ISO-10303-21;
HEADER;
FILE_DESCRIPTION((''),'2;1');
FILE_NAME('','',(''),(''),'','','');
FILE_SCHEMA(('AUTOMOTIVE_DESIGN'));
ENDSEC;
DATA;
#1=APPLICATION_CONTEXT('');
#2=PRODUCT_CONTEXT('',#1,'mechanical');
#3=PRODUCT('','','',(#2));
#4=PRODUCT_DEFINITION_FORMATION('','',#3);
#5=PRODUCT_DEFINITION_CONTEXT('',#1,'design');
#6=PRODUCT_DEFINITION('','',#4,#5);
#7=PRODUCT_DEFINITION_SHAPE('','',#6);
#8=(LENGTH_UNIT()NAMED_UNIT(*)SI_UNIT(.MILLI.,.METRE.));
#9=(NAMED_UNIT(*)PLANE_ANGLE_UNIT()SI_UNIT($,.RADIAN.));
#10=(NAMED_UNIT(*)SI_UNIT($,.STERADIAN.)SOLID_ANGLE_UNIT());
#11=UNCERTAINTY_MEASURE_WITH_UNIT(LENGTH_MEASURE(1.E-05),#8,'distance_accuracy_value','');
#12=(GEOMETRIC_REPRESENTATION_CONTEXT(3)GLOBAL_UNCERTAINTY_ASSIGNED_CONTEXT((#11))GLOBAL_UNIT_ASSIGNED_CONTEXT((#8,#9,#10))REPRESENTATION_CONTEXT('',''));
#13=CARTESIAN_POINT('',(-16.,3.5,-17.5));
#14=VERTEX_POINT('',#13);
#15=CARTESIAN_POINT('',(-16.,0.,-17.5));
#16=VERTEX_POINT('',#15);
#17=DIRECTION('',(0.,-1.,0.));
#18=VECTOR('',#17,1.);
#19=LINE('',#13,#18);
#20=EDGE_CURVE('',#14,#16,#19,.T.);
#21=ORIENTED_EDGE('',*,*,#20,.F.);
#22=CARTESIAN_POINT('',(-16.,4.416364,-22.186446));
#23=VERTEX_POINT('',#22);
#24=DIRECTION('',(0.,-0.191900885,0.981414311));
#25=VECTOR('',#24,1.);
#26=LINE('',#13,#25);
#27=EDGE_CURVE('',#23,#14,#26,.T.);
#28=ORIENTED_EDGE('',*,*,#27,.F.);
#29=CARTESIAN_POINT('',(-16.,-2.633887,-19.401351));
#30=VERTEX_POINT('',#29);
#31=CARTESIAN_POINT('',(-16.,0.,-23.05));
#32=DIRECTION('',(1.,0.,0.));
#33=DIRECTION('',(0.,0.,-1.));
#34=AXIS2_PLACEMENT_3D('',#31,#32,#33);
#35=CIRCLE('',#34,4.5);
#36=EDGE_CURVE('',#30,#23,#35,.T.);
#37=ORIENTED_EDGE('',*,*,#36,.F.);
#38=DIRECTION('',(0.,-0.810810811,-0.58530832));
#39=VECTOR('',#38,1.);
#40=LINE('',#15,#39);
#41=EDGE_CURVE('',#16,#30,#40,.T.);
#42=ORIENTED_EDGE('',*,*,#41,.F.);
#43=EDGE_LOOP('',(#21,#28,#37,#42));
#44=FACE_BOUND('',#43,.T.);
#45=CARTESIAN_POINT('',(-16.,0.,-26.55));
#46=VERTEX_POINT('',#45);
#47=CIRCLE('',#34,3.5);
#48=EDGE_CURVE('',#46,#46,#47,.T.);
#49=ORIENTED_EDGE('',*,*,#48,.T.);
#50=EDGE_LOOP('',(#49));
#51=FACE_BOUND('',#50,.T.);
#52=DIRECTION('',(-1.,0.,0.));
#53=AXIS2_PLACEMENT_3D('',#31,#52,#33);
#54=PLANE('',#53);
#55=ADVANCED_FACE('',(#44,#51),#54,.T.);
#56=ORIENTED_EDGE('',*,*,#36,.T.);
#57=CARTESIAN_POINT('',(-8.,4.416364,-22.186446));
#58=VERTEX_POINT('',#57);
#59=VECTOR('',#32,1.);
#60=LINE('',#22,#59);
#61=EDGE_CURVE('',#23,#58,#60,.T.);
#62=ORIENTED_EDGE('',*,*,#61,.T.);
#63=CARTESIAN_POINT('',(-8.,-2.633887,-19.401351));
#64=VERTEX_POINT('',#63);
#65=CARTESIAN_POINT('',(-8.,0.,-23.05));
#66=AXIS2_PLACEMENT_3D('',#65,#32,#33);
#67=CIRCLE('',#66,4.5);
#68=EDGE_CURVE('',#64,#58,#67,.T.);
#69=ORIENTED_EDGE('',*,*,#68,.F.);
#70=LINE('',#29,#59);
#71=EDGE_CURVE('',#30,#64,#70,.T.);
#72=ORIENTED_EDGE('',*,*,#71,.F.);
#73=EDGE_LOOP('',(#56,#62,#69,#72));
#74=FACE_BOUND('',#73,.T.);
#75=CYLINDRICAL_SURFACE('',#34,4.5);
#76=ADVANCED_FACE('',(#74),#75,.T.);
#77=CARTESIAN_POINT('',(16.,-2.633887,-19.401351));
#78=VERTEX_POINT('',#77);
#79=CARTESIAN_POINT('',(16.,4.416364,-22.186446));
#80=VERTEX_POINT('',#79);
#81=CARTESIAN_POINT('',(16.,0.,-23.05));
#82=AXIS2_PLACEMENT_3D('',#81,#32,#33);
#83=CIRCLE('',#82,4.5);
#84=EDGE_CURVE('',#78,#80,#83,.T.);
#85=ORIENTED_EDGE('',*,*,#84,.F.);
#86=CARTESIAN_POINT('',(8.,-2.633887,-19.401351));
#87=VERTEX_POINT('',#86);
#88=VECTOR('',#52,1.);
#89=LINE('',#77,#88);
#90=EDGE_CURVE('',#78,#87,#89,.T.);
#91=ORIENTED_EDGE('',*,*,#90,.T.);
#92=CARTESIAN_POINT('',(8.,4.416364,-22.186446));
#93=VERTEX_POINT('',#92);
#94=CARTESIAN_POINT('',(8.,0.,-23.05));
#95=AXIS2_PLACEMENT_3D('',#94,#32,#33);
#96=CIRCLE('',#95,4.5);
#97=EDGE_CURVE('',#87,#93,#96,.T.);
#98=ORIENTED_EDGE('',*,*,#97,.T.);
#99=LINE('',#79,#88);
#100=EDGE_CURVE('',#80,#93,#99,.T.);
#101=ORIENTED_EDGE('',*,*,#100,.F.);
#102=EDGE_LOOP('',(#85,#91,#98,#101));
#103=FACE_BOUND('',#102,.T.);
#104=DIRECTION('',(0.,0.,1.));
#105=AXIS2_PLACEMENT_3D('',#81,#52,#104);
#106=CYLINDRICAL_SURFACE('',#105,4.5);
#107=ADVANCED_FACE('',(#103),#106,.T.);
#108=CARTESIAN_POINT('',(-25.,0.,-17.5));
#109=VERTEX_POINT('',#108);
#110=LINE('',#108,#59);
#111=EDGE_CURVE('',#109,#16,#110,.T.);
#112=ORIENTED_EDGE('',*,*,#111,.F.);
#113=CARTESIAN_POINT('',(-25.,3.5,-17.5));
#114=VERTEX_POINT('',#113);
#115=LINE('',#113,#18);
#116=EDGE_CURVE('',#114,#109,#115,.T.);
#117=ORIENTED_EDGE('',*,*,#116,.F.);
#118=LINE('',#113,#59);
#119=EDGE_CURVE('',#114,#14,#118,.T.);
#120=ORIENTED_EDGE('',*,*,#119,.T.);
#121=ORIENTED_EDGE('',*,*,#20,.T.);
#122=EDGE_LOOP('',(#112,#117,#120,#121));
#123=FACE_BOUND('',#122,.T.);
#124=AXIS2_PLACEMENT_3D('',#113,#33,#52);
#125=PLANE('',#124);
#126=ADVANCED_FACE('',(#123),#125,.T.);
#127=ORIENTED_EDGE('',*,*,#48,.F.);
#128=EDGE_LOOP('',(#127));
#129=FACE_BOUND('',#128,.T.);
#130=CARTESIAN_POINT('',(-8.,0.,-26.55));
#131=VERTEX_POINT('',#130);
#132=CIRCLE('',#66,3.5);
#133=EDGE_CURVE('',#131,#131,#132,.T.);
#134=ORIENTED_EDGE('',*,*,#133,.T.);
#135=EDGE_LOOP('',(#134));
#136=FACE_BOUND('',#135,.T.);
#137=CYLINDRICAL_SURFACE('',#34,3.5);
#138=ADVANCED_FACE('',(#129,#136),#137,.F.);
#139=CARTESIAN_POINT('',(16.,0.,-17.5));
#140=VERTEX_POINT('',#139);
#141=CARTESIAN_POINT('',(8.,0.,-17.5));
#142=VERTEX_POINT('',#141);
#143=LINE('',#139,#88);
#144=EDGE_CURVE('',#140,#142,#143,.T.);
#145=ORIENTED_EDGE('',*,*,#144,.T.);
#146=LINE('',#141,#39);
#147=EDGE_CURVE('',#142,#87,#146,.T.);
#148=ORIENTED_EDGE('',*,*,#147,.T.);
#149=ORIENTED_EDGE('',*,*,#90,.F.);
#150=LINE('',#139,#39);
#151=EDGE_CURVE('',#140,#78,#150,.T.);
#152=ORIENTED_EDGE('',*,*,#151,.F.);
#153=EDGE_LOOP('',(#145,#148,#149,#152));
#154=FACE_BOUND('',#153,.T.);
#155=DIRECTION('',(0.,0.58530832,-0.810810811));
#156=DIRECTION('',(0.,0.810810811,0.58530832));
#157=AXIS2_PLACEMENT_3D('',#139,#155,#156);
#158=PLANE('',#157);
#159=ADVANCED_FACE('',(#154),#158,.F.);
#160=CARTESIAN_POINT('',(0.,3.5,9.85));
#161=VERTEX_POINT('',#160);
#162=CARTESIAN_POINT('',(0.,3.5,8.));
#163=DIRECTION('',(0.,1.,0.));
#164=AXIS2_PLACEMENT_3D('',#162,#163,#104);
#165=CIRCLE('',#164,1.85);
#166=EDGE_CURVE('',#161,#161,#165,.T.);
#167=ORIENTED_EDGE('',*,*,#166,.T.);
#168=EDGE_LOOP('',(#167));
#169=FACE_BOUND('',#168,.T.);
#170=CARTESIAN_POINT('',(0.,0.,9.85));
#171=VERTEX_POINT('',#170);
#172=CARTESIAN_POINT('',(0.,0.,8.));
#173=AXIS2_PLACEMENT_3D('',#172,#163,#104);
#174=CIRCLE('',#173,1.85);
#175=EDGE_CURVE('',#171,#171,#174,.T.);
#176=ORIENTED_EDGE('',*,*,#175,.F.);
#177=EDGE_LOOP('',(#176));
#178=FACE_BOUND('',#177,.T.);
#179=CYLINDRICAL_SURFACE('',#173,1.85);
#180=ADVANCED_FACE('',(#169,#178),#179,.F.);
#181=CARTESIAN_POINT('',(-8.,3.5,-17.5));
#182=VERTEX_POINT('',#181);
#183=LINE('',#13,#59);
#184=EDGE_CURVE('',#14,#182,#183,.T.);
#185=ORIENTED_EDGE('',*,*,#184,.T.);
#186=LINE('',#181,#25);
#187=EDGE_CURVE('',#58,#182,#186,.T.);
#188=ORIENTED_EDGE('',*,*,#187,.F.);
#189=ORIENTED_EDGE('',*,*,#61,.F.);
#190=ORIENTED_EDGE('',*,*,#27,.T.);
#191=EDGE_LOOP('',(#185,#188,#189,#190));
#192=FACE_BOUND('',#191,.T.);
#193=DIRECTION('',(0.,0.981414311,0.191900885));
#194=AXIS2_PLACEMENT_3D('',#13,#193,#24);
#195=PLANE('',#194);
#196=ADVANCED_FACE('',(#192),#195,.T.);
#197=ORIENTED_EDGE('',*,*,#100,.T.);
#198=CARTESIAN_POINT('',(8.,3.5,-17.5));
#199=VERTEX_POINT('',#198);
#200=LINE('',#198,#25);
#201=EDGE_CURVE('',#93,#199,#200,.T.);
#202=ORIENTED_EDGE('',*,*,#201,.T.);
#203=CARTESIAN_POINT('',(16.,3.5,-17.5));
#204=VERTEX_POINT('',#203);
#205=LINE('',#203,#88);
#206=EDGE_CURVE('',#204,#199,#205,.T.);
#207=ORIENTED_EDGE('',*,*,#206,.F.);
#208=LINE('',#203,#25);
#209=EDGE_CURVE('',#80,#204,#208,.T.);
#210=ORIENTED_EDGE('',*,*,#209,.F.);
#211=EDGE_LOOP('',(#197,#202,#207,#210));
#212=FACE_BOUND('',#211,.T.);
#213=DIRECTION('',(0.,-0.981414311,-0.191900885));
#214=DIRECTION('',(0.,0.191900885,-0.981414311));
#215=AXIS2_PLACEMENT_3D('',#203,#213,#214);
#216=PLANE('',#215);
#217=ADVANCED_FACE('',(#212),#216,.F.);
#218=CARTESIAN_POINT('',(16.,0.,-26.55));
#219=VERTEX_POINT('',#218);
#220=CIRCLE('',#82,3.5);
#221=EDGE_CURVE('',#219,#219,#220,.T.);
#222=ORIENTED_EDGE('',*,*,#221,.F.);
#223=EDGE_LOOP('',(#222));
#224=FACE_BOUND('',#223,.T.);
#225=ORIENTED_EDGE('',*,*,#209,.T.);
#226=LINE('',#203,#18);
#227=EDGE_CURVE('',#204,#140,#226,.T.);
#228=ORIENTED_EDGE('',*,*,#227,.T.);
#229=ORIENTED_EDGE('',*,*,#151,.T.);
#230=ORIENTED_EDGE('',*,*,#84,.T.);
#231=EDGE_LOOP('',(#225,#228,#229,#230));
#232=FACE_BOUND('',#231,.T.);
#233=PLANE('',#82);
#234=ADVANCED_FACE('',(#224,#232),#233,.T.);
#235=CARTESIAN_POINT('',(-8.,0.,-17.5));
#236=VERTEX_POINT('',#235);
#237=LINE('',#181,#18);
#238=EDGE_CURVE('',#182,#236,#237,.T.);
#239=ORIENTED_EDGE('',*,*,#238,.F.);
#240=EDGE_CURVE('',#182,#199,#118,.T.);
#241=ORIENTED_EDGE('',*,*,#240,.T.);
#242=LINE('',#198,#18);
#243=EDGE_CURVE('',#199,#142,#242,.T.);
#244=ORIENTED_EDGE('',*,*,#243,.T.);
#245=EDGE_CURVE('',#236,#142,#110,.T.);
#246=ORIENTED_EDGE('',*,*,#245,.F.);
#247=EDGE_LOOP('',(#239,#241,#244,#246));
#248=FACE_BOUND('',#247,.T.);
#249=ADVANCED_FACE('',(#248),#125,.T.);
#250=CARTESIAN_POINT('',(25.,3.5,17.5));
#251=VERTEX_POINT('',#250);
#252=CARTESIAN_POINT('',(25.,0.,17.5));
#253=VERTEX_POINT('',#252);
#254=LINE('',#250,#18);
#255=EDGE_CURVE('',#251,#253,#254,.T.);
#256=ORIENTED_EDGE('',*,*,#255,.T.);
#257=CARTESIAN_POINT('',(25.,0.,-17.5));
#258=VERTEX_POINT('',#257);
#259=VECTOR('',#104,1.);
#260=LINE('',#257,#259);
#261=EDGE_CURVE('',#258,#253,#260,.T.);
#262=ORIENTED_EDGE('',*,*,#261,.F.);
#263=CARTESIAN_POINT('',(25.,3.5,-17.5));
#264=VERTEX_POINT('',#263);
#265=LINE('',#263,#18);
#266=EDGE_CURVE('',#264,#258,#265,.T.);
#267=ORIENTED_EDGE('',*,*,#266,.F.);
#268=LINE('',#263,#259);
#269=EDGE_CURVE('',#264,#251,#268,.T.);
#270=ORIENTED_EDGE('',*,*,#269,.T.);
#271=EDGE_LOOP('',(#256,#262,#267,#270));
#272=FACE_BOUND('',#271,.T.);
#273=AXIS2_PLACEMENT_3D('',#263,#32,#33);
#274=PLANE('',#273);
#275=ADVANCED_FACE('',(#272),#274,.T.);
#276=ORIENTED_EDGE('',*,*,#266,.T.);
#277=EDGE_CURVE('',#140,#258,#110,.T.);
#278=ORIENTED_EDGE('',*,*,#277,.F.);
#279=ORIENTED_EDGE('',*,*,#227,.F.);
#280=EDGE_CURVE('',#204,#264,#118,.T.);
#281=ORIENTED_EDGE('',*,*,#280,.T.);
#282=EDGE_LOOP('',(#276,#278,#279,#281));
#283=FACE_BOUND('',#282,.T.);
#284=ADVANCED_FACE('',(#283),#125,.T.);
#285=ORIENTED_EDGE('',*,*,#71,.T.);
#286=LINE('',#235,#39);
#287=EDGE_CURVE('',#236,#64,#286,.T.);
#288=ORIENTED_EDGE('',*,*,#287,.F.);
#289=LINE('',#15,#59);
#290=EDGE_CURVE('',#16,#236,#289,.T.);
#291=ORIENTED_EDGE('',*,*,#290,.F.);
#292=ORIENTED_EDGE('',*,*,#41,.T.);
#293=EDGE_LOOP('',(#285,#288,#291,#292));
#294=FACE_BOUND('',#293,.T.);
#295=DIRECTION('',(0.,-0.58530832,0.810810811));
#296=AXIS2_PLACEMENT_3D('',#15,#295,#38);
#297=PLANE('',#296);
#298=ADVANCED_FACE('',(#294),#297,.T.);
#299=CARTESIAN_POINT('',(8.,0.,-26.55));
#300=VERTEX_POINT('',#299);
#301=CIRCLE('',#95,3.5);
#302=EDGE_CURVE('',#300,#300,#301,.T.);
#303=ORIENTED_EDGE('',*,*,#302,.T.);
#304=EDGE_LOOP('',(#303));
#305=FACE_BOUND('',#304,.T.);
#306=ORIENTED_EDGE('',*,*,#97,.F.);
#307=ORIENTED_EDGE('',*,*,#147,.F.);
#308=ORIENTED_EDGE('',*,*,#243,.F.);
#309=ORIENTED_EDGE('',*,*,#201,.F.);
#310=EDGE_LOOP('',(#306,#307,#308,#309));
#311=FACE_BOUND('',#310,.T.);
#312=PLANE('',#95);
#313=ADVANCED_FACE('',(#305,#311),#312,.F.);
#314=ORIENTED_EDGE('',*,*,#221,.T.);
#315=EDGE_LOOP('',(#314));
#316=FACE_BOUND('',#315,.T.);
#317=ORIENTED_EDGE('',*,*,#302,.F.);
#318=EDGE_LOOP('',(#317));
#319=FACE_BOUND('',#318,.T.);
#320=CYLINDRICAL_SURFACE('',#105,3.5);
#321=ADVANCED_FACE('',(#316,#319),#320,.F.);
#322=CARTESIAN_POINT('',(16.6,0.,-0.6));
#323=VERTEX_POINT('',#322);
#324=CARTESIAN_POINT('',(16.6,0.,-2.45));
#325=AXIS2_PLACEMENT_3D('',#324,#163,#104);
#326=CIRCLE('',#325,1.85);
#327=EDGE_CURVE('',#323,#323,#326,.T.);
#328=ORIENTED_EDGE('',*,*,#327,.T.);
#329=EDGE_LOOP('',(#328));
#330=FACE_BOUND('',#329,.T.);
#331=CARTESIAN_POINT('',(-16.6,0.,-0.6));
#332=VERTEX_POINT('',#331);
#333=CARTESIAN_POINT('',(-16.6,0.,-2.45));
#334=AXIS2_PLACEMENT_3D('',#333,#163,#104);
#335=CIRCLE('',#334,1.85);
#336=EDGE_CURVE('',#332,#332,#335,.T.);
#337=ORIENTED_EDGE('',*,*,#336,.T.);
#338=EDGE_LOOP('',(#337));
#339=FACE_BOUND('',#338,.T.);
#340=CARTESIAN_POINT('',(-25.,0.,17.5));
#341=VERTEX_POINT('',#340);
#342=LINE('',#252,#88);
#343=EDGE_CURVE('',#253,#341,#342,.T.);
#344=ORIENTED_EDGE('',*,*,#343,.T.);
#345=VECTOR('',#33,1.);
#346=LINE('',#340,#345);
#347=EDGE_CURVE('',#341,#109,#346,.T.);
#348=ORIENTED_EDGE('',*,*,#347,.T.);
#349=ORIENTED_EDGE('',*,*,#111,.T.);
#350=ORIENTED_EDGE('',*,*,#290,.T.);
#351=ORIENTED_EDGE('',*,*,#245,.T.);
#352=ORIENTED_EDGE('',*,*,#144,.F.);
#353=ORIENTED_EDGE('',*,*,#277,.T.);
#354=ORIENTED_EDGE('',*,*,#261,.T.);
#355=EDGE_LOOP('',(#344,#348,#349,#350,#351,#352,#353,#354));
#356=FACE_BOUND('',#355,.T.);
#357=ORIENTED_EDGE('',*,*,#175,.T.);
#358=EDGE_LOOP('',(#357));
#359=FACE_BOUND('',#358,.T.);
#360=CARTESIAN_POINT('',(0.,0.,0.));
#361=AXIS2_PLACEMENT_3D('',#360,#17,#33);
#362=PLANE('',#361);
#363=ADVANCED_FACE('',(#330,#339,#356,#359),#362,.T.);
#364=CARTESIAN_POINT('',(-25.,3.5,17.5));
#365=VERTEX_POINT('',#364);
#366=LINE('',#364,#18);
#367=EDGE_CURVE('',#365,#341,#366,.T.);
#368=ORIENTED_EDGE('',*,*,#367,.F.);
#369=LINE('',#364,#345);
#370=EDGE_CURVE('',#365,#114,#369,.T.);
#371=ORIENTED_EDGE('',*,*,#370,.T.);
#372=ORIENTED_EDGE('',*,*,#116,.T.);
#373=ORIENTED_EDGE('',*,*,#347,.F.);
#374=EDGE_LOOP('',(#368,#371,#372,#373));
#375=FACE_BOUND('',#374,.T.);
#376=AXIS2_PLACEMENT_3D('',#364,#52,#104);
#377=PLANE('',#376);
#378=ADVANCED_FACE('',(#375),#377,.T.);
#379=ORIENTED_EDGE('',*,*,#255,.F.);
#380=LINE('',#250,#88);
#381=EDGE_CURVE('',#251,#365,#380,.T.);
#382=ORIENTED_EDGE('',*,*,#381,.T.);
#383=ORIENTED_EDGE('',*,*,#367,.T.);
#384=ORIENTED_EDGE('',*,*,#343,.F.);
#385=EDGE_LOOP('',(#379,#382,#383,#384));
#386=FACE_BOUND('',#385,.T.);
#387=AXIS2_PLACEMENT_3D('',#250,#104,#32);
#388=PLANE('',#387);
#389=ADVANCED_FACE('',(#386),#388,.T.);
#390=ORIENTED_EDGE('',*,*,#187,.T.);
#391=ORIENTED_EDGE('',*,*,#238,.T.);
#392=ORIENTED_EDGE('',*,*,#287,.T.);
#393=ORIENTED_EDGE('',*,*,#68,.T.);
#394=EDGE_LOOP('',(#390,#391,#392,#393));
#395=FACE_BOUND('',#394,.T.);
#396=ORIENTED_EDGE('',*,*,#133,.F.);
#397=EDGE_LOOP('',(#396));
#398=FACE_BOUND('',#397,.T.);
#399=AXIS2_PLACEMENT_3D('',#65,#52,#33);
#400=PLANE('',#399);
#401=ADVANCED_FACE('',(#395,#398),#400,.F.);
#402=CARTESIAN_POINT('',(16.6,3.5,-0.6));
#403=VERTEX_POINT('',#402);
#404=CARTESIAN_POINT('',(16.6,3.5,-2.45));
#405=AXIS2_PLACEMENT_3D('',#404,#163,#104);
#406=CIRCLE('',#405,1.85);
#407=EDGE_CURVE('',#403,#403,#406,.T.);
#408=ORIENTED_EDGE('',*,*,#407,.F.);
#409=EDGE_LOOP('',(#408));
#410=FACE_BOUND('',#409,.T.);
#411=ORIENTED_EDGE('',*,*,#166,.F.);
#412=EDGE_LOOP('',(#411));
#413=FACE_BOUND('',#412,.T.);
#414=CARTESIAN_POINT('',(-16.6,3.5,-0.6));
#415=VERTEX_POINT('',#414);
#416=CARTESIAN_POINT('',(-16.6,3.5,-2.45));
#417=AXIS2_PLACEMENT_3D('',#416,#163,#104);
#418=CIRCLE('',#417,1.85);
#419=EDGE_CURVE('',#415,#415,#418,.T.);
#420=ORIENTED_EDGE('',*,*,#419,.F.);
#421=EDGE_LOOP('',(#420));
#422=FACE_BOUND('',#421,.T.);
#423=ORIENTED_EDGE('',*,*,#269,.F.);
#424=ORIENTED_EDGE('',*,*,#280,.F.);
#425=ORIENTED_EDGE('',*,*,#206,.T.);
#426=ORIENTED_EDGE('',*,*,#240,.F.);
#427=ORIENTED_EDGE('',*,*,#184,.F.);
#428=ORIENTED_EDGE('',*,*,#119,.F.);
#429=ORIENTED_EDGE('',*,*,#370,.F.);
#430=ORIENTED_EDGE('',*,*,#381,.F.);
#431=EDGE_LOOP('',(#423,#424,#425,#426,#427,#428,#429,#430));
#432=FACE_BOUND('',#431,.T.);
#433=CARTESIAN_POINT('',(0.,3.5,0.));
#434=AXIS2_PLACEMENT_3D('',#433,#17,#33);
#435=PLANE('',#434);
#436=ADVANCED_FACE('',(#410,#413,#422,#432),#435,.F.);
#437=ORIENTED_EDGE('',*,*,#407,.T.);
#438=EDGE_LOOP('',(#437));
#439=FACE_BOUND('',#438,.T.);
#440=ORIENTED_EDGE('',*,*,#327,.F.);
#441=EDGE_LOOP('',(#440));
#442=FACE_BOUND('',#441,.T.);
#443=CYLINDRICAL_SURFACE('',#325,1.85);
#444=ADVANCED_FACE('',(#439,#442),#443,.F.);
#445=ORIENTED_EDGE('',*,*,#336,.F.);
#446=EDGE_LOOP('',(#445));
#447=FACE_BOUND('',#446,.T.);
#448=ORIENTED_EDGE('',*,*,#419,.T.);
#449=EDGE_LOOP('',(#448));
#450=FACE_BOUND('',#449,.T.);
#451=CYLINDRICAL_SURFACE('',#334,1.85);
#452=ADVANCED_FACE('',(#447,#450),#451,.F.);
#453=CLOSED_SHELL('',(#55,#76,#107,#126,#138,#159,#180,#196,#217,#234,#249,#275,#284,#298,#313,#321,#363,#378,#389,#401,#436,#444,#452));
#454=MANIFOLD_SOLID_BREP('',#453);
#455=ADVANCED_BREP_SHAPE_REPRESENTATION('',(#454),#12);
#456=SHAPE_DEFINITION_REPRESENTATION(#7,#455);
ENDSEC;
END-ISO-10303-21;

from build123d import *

# Parameters (mm, degrees)
SKETCH2_W           = 50
SKETCH2_H           = 35
BOSS_EXTRUDE1_DEPTH = 3.5
SKETCH3_R           = 1.85
CUT_EXTRUDE1_DEPTH  = 31.716445107
SKETCH5_R           = 3.5
BOSS_EXTRUDE2_DEPTH = 8


with BuildPart() as part:
    # Sketch2 → Boss-Extrude1 (new body)
    with BuildSketch(Plane(origin=(0, 0, 0), x_dir=(1, 0, 0), z_dir=(0, 1, 0))):
        Rectangle(SKETCH2_W, SKETCH2_H)
    extrude(amount=BOSS_EXTRUDE1_DEPTH)

    # Sketch3 → Cut-Extrude1 (cut, through all)
    with BuildSketch(Plane(origin=(0, 3.5, 0), x_dir=(1, 0, 0), z_dir=(0, 1, 0))):
        with Locations(Location((-16.6, 2.45, 0), (0, 0, 270))):
            Circle(SKETCH3_R)
        with Locations(Location((0, -8, 0), (0, 0, 270))):
            Circle(SKETCH3_R)
        with Locations(Location((16.6, 2.45, 0), (0, 0, 270))):
            Circle(SKETCH3_R)
    extrude(amount=-CUT_EXTRUDE1_DEPTH, mode=Mode.SUBTRACT)

    # Sketch5 → Boss-Extrude2 (add)
    with BuildSketch(Plane(origin=(8, 0, 0), x_dir=(0, 0, -1), z_dir=(1, 0, 0))):
        with BuildLine():
            Line((17.5, 3.5), (22.186446019, 4.416364401))
            ThreePointArc((22.186446019, 4.416364401), (27.235272499, -1.653328191), (19.401351351, -2.633887439))
            Line((19.401351351, -2.633887439), (17.5, 0))
            Line((17.5, 0), (17.5, 3.5))
        make_face()
        with Locations((23.05, 0)):
            Circle(SKETCH5_R, mode=Mode.SUBTRACT)
    boss_extrude2 = extrude(amount=BOSS_EXTRUDE2_DEPTH)

    # Mirror1: Boss-Extrude2 across plane
    add(boss_extrude2.mirror(Plane(origin=(0, 0, 0), x_dir=(0, 0, 1), z_dir=(1, 0, 0))))


solid = part.part
